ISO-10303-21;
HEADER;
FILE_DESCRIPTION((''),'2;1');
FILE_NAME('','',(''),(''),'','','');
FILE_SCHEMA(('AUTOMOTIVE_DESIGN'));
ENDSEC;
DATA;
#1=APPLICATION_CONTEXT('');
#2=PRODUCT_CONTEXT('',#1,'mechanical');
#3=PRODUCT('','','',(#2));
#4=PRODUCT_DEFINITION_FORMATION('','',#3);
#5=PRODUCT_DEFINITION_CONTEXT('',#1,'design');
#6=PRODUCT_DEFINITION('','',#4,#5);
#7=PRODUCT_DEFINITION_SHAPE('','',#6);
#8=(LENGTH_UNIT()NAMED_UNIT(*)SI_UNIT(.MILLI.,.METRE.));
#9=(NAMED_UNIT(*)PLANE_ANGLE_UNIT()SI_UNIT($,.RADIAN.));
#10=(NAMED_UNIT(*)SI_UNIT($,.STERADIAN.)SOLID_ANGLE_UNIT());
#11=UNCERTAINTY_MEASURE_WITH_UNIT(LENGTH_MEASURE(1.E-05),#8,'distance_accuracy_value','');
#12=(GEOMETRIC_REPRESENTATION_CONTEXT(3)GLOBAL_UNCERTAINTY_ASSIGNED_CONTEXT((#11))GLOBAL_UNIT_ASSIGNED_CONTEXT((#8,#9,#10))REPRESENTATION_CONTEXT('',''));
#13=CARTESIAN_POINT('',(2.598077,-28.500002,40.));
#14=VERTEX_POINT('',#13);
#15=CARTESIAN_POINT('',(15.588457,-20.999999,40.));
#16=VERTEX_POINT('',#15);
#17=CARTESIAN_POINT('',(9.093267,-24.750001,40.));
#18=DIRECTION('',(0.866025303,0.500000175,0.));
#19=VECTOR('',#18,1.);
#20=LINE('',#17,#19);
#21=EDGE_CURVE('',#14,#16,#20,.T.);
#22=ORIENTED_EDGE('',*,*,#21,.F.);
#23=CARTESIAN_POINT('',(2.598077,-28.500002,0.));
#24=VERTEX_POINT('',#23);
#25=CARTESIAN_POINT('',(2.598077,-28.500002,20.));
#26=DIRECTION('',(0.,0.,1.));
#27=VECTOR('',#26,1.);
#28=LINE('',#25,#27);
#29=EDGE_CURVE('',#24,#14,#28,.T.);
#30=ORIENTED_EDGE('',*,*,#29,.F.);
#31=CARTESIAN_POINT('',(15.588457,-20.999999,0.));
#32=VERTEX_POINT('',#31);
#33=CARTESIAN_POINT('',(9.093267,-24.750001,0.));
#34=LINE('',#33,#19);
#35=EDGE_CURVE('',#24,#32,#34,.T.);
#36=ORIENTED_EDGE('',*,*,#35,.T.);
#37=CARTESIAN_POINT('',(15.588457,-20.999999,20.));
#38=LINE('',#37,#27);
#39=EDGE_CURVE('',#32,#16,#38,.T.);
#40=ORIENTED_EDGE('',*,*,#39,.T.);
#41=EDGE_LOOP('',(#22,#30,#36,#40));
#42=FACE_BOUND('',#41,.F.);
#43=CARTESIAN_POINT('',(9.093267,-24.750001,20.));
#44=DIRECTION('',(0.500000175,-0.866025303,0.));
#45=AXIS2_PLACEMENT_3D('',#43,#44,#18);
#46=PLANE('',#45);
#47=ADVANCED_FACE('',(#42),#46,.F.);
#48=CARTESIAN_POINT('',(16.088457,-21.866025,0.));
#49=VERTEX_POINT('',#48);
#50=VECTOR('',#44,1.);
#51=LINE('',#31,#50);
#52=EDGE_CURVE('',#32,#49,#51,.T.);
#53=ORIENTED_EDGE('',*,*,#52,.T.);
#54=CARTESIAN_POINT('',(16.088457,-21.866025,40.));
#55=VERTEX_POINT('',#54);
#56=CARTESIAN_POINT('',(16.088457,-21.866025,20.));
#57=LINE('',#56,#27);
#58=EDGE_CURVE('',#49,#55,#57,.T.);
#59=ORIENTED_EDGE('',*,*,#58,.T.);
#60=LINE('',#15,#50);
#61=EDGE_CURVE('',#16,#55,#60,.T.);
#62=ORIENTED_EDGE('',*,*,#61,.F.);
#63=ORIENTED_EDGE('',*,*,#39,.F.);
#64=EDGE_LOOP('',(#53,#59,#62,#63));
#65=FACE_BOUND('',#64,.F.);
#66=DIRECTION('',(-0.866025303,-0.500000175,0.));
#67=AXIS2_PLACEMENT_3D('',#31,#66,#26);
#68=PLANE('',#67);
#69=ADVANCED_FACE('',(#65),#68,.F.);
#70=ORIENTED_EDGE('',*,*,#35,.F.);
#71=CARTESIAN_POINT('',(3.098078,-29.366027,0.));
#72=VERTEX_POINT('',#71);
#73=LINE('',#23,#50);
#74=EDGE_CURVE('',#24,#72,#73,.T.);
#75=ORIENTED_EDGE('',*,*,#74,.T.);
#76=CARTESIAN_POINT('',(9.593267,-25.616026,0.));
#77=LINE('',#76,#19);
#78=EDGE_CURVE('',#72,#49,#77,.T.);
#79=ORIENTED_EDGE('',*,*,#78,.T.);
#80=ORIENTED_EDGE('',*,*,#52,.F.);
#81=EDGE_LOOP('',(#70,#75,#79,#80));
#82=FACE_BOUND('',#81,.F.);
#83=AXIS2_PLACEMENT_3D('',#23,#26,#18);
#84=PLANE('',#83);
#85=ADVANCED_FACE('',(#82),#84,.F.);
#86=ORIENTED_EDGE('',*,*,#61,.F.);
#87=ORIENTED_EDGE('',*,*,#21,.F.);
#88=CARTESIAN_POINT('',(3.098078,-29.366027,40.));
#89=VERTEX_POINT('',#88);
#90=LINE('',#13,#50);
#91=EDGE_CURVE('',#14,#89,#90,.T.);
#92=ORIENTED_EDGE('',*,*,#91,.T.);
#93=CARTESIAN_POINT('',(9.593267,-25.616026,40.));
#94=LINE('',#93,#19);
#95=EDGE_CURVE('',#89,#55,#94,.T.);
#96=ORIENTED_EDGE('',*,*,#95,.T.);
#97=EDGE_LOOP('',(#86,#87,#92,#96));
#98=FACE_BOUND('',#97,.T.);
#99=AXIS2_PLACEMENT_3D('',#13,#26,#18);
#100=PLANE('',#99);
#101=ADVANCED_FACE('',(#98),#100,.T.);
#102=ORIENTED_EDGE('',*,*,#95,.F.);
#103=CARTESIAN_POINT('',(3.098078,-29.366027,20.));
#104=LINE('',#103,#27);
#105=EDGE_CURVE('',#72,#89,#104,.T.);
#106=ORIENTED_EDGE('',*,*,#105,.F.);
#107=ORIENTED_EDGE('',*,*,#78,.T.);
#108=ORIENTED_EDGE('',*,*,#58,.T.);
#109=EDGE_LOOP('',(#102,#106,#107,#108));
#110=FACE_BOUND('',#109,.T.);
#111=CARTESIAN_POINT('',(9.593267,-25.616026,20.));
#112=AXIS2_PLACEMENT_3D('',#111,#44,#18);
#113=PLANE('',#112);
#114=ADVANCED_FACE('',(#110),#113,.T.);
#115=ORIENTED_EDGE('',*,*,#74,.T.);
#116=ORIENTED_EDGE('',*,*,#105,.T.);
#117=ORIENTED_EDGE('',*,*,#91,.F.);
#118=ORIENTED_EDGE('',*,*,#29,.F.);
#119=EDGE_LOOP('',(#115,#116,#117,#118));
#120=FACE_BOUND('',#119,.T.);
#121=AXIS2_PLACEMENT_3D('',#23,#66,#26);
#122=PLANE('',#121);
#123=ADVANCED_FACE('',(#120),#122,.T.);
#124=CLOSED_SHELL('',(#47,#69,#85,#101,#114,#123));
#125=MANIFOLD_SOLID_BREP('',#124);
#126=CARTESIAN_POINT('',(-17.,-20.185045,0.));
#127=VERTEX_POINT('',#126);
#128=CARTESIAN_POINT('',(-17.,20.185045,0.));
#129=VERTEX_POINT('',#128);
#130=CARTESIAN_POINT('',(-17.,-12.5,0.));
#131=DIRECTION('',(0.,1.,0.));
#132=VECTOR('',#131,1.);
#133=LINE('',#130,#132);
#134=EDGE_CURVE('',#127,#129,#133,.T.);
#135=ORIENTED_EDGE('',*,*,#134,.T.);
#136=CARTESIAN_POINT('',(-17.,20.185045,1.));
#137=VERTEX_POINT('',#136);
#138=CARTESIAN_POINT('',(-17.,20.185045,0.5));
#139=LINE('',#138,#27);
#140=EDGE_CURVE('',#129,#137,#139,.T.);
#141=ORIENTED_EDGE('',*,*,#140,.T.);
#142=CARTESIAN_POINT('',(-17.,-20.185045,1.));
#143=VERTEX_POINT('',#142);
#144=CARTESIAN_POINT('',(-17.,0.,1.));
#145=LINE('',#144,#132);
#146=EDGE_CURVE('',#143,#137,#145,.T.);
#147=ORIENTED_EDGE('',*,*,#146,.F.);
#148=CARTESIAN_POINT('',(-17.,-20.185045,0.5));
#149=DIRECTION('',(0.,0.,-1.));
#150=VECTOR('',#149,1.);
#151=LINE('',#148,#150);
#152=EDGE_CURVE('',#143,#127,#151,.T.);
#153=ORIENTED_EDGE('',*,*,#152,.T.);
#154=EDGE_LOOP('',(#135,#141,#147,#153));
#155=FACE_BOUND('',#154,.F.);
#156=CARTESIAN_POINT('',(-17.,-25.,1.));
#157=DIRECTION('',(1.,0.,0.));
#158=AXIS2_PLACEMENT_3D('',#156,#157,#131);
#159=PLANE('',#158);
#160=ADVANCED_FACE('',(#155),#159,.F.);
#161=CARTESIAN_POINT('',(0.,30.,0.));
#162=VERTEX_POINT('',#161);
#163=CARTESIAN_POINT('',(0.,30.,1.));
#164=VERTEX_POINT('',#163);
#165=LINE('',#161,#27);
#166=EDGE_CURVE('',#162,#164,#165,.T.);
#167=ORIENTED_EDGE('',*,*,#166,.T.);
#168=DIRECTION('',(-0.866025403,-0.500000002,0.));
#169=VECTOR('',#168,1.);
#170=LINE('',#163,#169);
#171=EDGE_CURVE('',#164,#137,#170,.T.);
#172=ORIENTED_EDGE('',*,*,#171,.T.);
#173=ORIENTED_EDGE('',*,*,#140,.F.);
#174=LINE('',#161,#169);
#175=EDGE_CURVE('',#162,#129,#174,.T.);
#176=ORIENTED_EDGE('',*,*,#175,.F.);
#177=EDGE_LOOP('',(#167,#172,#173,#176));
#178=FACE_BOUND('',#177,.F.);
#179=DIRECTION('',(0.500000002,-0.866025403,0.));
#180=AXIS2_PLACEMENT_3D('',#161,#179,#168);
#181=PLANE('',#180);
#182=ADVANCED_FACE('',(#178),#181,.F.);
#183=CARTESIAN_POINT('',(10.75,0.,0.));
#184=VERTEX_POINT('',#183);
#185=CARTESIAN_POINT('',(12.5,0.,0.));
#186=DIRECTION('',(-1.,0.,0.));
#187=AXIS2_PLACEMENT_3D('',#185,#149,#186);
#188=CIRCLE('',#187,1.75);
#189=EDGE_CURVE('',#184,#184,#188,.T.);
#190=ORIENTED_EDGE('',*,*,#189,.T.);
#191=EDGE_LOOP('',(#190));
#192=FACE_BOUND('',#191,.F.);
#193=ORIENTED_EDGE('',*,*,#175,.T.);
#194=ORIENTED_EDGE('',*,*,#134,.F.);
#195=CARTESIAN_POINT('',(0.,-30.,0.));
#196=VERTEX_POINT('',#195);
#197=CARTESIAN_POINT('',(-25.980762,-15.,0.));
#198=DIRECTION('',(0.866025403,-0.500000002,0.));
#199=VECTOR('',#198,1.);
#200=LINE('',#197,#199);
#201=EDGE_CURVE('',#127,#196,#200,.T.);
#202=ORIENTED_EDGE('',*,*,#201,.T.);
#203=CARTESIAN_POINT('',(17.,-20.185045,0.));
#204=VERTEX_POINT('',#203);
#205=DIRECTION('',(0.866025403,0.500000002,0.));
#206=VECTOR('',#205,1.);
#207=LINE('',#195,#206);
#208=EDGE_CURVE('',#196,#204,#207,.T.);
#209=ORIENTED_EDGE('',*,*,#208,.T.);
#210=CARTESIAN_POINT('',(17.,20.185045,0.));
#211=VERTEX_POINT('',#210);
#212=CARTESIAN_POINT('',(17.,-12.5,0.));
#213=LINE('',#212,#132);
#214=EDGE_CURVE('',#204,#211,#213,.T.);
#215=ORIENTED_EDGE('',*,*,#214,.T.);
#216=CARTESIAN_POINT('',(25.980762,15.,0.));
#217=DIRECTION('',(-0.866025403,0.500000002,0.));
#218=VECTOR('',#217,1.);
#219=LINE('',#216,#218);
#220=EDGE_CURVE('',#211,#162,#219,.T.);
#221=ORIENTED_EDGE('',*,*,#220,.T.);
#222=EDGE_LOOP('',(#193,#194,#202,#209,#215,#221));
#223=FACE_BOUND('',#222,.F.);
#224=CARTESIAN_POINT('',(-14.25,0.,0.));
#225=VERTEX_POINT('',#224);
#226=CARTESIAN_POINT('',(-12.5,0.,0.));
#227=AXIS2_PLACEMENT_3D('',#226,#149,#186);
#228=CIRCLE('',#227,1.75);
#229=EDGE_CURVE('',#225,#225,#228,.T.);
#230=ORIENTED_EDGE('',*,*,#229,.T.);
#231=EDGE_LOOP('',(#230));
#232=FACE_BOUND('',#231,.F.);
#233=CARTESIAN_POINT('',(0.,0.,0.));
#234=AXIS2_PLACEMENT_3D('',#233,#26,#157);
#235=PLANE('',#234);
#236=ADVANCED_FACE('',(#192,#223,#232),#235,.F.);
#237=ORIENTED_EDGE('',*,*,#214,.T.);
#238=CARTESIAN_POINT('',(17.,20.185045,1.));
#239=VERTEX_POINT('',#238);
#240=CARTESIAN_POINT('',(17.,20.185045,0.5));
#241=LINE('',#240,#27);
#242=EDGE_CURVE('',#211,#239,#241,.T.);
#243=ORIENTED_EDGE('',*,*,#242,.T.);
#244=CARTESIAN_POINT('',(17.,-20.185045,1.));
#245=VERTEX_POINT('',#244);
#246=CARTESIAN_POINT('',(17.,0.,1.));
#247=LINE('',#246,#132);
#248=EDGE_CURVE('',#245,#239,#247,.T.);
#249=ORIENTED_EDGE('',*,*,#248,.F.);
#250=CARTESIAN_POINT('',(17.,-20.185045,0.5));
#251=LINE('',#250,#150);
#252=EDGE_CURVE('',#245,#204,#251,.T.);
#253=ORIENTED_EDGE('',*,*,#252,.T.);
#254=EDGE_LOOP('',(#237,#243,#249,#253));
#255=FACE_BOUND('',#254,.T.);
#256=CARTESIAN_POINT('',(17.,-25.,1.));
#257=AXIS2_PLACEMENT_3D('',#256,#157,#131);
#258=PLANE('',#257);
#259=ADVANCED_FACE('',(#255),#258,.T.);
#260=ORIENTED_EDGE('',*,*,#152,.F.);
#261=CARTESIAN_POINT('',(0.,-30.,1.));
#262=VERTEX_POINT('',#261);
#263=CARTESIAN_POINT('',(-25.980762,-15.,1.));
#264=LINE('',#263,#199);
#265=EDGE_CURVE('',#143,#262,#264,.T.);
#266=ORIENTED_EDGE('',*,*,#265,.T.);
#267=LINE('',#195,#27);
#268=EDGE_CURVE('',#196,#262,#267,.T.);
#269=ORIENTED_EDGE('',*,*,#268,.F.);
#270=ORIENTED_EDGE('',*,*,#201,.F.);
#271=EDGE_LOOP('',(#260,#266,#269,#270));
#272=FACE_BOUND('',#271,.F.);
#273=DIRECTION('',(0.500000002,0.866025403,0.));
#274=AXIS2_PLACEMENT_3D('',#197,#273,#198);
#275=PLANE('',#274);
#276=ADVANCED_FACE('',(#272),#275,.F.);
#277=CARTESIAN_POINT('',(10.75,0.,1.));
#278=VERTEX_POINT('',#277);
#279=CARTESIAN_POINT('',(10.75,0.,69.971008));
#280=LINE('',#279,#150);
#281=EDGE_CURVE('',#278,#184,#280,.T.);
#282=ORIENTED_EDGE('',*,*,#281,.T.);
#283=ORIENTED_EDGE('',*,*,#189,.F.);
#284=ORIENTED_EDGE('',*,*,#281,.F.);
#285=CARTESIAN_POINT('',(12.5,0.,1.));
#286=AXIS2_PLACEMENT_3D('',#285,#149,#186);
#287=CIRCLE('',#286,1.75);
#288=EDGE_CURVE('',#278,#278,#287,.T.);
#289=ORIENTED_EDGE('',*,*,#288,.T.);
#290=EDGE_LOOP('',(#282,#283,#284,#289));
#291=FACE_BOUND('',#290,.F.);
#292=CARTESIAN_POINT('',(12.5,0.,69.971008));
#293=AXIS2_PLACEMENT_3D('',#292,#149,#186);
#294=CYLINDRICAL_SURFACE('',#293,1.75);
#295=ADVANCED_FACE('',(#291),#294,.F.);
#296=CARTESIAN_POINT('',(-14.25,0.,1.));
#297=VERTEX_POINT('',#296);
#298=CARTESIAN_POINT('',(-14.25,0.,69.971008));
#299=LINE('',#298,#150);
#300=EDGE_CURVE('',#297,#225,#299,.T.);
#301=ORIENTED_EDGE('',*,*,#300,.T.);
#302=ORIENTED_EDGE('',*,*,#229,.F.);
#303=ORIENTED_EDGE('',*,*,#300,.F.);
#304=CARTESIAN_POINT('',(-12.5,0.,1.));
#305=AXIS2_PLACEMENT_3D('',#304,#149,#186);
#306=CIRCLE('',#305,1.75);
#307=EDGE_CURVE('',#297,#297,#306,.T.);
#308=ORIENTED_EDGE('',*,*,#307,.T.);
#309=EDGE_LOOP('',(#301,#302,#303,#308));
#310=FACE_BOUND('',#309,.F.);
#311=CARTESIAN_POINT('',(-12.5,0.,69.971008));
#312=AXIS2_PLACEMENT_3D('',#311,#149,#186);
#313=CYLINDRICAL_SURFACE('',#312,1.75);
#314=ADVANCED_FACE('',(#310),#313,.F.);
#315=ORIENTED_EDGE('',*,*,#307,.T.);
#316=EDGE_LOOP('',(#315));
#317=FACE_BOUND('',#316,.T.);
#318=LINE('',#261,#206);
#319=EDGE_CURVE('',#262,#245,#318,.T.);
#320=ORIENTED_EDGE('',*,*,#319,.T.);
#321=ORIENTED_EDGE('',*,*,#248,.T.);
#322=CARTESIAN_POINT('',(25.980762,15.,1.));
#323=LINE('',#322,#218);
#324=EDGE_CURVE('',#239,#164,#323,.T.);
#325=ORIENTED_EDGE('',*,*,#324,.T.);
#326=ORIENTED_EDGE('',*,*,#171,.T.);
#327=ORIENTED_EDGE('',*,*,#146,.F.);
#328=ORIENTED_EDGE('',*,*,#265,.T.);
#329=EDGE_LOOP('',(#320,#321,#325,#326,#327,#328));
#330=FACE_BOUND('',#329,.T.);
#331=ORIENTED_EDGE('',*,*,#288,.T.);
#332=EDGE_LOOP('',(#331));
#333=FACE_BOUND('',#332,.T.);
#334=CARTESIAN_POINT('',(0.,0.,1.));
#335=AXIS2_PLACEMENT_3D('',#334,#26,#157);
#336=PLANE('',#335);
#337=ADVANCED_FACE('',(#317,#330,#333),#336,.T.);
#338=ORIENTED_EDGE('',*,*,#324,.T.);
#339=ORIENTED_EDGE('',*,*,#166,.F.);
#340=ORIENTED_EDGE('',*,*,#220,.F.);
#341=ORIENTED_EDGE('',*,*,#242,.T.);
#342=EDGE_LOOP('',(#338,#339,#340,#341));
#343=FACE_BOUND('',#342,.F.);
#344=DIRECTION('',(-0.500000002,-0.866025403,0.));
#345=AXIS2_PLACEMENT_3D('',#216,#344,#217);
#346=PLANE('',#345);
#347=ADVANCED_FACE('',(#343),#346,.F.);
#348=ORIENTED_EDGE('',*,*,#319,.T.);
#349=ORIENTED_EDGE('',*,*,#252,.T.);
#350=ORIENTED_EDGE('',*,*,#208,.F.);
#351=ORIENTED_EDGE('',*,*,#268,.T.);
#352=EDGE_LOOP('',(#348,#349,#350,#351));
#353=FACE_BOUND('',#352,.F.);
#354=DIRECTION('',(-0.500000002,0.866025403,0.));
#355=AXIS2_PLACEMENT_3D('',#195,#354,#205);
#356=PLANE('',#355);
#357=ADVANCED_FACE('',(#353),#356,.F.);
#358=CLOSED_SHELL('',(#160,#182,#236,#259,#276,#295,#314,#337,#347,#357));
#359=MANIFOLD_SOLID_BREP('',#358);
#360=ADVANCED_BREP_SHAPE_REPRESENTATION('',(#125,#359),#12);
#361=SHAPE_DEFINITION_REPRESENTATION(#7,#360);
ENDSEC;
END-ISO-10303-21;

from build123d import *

# Parameters (mm, degrees)
F1_DEPTH = 1
F2_W     = 15
F2_H     = 40
F3_DEPTH = 1
F4_W     = 15
F4_H     = 50
F5_DEPTH = 25
F7_D     = 3.5


with BuildPart() as f1:
    # F0 (on Top) → F1 (new body)
    with BuildSketch(Plane.XY):
        Polygon((25.980762, -15), (25.980762, 15), (0, 30), (-25.980762, 15), (-25.980762, -15), (0, -30), align=None)
    extrude(amount=F1_DEPTH)

    # F4 (on face) → F5 (cut)
    with BuildSketch(Plane.XY.offset(1)):
        with Locations((-24.5, 0)):
            Rectangle(F4_W, F4_H)
        with Locations((24.5, 0)):
            Rectangle(F4_W, F4_H)
    extrude(amount=-F5_DEPTH, mode=Mode.SUBTRACT)

    # F7 (through all)
    with Locations(Plane.XY.offset(1)):
        with Locations((12.5, 0), (-12.5, 0)):
            Hole(F7_D / 2)


with BuildPart() as f3:
    # F2 (on face) → F3 (new body)
    with BuildSketch(Plane(origin=(12.990381, -22.5, 0), x_dir=(0.866025, 0.5, 0), z_dir=(0.5, -0.866025, 0))):
        with Locations((-4.5, 20)):
            Rectangle(F2_W, F2_H)
    extrude(amount=F3_DEPTH)


solid = Compound([f1.part, f3.part])
